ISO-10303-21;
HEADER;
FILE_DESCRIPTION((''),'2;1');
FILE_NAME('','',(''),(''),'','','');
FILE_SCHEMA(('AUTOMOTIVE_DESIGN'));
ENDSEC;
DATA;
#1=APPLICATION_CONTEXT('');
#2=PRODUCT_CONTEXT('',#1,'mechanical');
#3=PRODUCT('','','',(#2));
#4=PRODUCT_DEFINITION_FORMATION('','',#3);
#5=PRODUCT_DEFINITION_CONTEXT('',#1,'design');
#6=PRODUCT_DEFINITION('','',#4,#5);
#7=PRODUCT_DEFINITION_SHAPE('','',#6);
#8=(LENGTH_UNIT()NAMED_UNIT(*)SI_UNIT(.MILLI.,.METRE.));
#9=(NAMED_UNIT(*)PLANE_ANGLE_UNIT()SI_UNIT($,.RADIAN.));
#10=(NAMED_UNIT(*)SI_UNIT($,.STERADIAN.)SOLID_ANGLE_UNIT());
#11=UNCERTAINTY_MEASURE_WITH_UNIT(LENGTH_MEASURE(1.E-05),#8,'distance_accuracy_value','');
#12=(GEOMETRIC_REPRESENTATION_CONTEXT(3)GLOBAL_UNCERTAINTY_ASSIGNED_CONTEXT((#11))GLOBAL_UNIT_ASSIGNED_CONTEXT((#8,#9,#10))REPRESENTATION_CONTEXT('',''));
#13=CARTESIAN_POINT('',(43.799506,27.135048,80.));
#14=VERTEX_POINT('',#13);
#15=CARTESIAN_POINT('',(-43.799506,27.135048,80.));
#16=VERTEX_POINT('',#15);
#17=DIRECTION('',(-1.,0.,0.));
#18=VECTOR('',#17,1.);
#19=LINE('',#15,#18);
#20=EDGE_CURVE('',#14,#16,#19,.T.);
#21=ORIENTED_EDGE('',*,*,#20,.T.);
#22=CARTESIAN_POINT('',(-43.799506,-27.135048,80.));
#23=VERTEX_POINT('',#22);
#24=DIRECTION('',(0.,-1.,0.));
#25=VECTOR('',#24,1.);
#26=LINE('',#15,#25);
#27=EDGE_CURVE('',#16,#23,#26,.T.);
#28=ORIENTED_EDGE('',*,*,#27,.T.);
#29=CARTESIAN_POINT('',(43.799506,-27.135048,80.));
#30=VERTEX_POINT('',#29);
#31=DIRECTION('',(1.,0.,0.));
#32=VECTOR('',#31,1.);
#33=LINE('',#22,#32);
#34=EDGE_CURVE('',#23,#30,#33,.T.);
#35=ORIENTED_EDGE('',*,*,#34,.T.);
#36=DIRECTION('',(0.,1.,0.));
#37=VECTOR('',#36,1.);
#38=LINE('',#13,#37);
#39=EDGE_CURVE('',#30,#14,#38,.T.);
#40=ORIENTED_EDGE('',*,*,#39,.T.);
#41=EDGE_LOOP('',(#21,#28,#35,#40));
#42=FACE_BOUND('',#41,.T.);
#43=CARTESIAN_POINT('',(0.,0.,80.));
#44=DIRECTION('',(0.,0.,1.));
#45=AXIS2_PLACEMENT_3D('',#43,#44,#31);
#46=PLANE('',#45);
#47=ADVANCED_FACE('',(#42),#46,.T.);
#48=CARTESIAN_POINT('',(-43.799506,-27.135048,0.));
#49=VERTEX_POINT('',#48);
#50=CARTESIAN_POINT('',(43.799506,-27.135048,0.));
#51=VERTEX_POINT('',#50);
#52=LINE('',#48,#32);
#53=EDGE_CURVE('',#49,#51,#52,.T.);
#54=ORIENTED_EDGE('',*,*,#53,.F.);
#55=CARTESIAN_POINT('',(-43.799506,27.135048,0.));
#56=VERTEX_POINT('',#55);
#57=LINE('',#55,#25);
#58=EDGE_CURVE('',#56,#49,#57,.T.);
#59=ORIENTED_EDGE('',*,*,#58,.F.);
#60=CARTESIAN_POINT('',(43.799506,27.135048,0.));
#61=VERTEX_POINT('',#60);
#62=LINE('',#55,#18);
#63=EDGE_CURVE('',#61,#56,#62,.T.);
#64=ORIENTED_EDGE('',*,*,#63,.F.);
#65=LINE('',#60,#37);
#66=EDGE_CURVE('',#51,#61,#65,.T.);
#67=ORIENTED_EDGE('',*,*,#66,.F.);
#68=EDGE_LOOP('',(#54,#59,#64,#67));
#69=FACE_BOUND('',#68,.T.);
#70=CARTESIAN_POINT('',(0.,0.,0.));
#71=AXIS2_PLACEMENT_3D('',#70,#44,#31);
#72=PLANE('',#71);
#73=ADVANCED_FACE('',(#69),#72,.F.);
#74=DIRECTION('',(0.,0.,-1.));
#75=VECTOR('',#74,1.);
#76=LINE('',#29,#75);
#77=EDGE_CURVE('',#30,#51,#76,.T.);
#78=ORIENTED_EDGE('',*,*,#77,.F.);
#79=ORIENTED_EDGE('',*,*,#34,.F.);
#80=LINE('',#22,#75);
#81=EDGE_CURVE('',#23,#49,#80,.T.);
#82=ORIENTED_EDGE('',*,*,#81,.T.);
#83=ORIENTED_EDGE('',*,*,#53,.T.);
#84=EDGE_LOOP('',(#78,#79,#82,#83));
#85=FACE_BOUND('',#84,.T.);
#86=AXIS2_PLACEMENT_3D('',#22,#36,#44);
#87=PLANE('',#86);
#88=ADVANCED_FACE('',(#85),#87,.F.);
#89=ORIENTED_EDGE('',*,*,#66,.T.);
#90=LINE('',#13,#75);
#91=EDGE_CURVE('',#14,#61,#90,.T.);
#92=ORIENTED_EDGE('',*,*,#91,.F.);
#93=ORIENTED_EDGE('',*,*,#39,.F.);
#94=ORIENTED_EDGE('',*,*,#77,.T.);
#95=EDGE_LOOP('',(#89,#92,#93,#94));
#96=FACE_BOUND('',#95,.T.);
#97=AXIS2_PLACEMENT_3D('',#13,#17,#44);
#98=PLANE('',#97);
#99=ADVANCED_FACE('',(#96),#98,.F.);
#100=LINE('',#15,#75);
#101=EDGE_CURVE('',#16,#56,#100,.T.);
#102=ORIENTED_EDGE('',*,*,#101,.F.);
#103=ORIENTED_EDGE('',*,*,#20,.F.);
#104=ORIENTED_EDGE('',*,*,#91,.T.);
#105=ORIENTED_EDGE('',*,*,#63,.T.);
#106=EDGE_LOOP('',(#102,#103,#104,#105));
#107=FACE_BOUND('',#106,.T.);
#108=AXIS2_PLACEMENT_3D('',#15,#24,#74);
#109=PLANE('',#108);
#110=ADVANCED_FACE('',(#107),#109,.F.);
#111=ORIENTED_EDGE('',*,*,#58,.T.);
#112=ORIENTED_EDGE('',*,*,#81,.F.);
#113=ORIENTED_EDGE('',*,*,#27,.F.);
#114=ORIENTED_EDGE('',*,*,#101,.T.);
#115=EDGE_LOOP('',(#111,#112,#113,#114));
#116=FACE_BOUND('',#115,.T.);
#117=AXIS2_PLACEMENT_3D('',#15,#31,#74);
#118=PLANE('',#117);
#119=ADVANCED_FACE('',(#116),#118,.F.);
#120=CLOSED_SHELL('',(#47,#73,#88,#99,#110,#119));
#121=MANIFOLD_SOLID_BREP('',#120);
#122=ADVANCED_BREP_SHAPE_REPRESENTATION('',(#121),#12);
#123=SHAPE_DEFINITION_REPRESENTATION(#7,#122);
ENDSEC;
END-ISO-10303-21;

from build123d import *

# Parameters (mm, degrees)
SKETCH1_W           = 87.599012224
SKETCH1_H           = 54.270095116
BOSS_EXTRUDE1_DEPTH = 80


with BuildPart() as part:
    # Sketch1 → Boss-Extrude1 (new body)
    with BuildSketch(Plane.XY):
        Rectangle(SKETCH1_W, SKETCH1_H)
    extrude(amount=BOSS_EXTRUDE1_DEPTH)


solid = part.part
